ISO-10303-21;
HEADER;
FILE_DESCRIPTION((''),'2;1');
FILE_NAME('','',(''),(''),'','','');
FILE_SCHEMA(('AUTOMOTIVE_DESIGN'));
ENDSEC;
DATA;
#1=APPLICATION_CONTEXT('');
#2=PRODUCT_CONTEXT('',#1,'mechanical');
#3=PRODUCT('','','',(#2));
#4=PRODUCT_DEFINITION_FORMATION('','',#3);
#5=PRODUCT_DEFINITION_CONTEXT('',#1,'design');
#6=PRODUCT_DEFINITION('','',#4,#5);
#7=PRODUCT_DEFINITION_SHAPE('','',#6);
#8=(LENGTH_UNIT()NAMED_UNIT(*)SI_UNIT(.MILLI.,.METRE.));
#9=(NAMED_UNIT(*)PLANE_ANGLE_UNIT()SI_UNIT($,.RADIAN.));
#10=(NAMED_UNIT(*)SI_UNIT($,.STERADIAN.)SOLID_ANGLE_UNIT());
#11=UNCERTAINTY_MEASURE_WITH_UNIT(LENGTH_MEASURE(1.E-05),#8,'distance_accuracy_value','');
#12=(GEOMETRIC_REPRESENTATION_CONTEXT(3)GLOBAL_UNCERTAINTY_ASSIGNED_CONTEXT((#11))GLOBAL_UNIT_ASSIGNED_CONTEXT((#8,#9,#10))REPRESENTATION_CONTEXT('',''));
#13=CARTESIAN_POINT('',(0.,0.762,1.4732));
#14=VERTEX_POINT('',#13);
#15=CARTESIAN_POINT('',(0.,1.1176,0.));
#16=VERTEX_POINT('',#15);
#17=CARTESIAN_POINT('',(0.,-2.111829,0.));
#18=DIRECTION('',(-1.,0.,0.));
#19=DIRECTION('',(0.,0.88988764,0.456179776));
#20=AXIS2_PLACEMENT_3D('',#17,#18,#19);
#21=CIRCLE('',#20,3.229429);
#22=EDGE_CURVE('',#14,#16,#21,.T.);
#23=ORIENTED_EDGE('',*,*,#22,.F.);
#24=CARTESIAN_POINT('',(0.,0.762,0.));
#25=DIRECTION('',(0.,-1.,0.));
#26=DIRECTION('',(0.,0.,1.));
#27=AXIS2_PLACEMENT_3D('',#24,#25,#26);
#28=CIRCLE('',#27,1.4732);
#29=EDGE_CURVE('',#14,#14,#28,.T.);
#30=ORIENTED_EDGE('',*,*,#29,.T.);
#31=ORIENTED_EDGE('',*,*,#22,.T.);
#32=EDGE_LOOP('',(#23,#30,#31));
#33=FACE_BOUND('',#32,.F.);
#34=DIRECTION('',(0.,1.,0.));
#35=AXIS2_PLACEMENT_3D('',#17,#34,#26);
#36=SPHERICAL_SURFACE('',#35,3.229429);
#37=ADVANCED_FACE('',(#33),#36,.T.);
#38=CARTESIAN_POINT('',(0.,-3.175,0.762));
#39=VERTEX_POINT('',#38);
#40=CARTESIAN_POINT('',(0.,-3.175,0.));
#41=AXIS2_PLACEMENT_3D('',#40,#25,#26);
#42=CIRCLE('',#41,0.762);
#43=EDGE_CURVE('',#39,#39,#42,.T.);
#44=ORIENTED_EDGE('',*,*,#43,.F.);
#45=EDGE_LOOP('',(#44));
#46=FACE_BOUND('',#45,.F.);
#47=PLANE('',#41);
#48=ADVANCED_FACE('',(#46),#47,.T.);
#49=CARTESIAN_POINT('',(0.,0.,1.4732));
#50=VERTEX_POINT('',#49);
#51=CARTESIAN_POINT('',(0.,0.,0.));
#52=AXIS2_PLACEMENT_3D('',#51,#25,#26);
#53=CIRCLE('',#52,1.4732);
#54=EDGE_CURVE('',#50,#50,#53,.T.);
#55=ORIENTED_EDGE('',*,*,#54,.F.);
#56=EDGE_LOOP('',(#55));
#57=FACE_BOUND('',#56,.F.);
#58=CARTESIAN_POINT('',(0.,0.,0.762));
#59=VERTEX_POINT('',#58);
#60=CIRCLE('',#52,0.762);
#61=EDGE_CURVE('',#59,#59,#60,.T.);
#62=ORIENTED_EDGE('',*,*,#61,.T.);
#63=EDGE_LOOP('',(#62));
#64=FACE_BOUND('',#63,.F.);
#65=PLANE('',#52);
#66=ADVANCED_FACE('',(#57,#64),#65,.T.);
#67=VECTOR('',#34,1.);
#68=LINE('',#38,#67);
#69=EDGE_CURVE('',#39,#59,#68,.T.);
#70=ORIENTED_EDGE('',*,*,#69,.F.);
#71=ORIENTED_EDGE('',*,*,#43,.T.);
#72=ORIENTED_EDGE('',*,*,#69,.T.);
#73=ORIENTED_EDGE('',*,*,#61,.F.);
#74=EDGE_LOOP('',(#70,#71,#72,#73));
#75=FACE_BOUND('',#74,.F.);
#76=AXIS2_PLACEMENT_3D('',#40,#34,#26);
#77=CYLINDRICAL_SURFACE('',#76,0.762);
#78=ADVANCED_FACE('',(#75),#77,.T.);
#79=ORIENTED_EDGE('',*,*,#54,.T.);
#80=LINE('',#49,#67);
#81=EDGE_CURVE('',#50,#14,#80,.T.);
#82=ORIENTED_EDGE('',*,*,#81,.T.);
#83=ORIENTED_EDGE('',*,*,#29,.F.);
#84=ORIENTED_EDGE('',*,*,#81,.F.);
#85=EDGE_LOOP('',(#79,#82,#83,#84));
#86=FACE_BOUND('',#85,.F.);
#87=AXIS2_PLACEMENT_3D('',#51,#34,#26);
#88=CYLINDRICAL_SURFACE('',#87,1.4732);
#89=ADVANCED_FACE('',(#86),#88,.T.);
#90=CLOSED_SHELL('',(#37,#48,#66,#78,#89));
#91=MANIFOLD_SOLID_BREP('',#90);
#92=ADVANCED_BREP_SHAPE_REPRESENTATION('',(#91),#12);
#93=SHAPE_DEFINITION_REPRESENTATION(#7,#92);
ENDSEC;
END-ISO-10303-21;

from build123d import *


with BuildPart() as part:
    # Sketch1 → Revolve1 (revolve)
    with BuildSketch(Plane(origin=(0, 0, 0), x_dir=(0, 0, -1), z_dir=(1, 0, 0)), mode=Mode.PRIVATE) as revolve1_sk:
        with BuildLine():
            Line((0, 1.1176), (0, -3.175))
            Line((0, -3.175), (0.762, -3.175))
            Line((0.762, -3.175), (0.762, 0))
            Line((0.762, 0), (1.4732, 0))
            Line((1.4732, 0), (1.4732, 0.762))
            ThreePointArc((1.4732, 0.762), (0.757754842, 1.027441487), (0, 1.1176))
        make_face()
    revolve(revolve1_sk.sketch.rotate(Axis((0, 58.600892857, 0), (0, -1, 0)), 180), axis=Axis((0, 58.600892857, 0), (0, -1, 0)))  # turned: the seam where the file's is


solid = part.part
